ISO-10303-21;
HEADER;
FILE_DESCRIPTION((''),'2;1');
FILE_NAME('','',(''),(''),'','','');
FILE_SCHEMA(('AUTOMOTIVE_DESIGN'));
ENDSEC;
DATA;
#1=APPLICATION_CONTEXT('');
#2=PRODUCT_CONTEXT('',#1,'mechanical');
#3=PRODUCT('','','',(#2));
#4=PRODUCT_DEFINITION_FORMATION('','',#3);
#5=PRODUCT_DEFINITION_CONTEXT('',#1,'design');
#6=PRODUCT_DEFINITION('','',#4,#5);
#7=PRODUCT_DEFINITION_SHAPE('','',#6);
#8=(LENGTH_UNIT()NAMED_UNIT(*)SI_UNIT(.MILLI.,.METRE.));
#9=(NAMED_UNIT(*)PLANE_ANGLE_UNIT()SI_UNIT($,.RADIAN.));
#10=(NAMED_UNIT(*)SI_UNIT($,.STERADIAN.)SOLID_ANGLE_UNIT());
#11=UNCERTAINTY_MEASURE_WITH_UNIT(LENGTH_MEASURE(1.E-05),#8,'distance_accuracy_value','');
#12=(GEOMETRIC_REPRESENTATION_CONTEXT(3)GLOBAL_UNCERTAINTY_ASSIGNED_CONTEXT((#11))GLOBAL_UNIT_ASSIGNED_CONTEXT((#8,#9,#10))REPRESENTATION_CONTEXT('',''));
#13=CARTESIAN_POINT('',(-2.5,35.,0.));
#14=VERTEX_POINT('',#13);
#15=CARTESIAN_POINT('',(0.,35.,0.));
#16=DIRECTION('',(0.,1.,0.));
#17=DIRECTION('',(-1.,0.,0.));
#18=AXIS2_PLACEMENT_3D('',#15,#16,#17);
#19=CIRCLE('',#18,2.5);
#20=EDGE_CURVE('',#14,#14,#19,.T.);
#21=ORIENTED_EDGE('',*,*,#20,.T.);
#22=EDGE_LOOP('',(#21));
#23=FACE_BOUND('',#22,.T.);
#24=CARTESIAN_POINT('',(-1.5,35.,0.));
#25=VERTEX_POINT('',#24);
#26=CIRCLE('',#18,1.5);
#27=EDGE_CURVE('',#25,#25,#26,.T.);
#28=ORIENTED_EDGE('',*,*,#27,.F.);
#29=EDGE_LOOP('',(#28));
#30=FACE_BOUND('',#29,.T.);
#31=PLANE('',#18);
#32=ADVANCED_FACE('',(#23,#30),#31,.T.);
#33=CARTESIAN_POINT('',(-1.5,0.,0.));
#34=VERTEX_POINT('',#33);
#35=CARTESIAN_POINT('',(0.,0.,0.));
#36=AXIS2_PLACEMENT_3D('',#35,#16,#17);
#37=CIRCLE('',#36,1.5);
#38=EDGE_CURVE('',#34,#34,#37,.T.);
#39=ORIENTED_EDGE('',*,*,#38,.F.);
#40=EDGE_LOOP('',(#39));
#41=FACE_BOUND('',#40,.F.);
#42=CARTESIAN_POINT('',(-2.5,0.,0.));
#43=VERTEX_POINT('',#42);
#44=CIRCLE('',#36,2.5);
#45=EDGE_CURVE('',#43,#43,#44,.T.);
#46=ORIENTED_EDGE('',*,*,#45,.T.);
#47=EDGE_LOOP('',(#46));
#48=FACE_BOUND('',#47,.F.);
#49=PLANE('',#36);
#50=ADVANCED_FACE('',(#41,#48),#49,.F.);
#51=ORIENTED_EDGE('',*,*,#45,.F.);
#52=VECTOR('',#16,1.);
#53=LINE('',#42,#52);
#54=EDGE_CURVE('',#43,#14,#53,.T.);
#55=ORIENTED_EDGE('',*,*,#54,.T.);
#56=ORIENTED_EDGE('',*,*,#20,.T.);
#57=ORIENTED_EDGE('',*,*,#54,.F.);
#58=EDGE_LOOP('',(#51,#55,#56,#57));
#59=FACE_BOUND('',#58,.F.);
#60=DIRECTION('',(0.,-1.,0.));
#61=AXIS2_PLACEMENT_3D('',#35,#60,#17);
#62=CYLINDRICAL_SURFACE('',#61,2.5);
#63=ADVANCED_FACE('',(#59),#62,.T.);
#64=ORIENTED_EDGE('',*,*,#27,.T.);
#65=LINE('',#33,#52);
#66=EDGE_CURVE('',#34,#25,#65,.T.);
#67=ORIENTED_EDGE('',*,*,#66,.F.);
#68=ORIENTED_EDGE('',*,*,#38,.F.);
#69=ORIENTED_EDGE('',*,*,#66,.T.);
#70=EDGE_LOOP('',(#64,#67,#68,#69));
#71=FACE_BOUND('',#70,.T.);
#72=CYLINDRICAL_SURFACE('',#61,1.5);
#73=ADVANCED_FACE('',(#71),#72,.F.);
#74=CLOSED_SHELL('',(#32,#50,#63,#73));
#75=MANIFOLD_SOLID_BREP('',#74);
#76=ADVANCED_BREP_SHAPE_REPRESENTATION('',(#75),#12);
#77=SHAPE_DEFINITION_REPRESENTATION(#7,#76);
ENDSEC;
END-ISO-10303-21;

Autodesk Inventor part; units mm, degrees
ref_plane "YZ Plane" through (0, 0, 0) normal (1, 0, 0) x (0, 1, 0)
ref_plane "XZ Plane" through (0, 0, 0) normal (0, 1, 0) x (-1, 0, 0)
ref_plane "XY Plane" through (0, 0, 0) normal (0, 0, 1) x (1, 0, 0)
sketch "Sketch1" plane through (0, 0, 0) normal (0, 1, 0) x (-1, 0, 0)
  circle A0 centre (0, 0) radius 1.5
  circle A1 centre (0, 0) radius 2.5
  dimension "d0" = 3
  dimension "d1" = 5
extrude "Extrusion1" add sketch "Sketch1" along normal blind 35
properties part number "35mm standoff"
